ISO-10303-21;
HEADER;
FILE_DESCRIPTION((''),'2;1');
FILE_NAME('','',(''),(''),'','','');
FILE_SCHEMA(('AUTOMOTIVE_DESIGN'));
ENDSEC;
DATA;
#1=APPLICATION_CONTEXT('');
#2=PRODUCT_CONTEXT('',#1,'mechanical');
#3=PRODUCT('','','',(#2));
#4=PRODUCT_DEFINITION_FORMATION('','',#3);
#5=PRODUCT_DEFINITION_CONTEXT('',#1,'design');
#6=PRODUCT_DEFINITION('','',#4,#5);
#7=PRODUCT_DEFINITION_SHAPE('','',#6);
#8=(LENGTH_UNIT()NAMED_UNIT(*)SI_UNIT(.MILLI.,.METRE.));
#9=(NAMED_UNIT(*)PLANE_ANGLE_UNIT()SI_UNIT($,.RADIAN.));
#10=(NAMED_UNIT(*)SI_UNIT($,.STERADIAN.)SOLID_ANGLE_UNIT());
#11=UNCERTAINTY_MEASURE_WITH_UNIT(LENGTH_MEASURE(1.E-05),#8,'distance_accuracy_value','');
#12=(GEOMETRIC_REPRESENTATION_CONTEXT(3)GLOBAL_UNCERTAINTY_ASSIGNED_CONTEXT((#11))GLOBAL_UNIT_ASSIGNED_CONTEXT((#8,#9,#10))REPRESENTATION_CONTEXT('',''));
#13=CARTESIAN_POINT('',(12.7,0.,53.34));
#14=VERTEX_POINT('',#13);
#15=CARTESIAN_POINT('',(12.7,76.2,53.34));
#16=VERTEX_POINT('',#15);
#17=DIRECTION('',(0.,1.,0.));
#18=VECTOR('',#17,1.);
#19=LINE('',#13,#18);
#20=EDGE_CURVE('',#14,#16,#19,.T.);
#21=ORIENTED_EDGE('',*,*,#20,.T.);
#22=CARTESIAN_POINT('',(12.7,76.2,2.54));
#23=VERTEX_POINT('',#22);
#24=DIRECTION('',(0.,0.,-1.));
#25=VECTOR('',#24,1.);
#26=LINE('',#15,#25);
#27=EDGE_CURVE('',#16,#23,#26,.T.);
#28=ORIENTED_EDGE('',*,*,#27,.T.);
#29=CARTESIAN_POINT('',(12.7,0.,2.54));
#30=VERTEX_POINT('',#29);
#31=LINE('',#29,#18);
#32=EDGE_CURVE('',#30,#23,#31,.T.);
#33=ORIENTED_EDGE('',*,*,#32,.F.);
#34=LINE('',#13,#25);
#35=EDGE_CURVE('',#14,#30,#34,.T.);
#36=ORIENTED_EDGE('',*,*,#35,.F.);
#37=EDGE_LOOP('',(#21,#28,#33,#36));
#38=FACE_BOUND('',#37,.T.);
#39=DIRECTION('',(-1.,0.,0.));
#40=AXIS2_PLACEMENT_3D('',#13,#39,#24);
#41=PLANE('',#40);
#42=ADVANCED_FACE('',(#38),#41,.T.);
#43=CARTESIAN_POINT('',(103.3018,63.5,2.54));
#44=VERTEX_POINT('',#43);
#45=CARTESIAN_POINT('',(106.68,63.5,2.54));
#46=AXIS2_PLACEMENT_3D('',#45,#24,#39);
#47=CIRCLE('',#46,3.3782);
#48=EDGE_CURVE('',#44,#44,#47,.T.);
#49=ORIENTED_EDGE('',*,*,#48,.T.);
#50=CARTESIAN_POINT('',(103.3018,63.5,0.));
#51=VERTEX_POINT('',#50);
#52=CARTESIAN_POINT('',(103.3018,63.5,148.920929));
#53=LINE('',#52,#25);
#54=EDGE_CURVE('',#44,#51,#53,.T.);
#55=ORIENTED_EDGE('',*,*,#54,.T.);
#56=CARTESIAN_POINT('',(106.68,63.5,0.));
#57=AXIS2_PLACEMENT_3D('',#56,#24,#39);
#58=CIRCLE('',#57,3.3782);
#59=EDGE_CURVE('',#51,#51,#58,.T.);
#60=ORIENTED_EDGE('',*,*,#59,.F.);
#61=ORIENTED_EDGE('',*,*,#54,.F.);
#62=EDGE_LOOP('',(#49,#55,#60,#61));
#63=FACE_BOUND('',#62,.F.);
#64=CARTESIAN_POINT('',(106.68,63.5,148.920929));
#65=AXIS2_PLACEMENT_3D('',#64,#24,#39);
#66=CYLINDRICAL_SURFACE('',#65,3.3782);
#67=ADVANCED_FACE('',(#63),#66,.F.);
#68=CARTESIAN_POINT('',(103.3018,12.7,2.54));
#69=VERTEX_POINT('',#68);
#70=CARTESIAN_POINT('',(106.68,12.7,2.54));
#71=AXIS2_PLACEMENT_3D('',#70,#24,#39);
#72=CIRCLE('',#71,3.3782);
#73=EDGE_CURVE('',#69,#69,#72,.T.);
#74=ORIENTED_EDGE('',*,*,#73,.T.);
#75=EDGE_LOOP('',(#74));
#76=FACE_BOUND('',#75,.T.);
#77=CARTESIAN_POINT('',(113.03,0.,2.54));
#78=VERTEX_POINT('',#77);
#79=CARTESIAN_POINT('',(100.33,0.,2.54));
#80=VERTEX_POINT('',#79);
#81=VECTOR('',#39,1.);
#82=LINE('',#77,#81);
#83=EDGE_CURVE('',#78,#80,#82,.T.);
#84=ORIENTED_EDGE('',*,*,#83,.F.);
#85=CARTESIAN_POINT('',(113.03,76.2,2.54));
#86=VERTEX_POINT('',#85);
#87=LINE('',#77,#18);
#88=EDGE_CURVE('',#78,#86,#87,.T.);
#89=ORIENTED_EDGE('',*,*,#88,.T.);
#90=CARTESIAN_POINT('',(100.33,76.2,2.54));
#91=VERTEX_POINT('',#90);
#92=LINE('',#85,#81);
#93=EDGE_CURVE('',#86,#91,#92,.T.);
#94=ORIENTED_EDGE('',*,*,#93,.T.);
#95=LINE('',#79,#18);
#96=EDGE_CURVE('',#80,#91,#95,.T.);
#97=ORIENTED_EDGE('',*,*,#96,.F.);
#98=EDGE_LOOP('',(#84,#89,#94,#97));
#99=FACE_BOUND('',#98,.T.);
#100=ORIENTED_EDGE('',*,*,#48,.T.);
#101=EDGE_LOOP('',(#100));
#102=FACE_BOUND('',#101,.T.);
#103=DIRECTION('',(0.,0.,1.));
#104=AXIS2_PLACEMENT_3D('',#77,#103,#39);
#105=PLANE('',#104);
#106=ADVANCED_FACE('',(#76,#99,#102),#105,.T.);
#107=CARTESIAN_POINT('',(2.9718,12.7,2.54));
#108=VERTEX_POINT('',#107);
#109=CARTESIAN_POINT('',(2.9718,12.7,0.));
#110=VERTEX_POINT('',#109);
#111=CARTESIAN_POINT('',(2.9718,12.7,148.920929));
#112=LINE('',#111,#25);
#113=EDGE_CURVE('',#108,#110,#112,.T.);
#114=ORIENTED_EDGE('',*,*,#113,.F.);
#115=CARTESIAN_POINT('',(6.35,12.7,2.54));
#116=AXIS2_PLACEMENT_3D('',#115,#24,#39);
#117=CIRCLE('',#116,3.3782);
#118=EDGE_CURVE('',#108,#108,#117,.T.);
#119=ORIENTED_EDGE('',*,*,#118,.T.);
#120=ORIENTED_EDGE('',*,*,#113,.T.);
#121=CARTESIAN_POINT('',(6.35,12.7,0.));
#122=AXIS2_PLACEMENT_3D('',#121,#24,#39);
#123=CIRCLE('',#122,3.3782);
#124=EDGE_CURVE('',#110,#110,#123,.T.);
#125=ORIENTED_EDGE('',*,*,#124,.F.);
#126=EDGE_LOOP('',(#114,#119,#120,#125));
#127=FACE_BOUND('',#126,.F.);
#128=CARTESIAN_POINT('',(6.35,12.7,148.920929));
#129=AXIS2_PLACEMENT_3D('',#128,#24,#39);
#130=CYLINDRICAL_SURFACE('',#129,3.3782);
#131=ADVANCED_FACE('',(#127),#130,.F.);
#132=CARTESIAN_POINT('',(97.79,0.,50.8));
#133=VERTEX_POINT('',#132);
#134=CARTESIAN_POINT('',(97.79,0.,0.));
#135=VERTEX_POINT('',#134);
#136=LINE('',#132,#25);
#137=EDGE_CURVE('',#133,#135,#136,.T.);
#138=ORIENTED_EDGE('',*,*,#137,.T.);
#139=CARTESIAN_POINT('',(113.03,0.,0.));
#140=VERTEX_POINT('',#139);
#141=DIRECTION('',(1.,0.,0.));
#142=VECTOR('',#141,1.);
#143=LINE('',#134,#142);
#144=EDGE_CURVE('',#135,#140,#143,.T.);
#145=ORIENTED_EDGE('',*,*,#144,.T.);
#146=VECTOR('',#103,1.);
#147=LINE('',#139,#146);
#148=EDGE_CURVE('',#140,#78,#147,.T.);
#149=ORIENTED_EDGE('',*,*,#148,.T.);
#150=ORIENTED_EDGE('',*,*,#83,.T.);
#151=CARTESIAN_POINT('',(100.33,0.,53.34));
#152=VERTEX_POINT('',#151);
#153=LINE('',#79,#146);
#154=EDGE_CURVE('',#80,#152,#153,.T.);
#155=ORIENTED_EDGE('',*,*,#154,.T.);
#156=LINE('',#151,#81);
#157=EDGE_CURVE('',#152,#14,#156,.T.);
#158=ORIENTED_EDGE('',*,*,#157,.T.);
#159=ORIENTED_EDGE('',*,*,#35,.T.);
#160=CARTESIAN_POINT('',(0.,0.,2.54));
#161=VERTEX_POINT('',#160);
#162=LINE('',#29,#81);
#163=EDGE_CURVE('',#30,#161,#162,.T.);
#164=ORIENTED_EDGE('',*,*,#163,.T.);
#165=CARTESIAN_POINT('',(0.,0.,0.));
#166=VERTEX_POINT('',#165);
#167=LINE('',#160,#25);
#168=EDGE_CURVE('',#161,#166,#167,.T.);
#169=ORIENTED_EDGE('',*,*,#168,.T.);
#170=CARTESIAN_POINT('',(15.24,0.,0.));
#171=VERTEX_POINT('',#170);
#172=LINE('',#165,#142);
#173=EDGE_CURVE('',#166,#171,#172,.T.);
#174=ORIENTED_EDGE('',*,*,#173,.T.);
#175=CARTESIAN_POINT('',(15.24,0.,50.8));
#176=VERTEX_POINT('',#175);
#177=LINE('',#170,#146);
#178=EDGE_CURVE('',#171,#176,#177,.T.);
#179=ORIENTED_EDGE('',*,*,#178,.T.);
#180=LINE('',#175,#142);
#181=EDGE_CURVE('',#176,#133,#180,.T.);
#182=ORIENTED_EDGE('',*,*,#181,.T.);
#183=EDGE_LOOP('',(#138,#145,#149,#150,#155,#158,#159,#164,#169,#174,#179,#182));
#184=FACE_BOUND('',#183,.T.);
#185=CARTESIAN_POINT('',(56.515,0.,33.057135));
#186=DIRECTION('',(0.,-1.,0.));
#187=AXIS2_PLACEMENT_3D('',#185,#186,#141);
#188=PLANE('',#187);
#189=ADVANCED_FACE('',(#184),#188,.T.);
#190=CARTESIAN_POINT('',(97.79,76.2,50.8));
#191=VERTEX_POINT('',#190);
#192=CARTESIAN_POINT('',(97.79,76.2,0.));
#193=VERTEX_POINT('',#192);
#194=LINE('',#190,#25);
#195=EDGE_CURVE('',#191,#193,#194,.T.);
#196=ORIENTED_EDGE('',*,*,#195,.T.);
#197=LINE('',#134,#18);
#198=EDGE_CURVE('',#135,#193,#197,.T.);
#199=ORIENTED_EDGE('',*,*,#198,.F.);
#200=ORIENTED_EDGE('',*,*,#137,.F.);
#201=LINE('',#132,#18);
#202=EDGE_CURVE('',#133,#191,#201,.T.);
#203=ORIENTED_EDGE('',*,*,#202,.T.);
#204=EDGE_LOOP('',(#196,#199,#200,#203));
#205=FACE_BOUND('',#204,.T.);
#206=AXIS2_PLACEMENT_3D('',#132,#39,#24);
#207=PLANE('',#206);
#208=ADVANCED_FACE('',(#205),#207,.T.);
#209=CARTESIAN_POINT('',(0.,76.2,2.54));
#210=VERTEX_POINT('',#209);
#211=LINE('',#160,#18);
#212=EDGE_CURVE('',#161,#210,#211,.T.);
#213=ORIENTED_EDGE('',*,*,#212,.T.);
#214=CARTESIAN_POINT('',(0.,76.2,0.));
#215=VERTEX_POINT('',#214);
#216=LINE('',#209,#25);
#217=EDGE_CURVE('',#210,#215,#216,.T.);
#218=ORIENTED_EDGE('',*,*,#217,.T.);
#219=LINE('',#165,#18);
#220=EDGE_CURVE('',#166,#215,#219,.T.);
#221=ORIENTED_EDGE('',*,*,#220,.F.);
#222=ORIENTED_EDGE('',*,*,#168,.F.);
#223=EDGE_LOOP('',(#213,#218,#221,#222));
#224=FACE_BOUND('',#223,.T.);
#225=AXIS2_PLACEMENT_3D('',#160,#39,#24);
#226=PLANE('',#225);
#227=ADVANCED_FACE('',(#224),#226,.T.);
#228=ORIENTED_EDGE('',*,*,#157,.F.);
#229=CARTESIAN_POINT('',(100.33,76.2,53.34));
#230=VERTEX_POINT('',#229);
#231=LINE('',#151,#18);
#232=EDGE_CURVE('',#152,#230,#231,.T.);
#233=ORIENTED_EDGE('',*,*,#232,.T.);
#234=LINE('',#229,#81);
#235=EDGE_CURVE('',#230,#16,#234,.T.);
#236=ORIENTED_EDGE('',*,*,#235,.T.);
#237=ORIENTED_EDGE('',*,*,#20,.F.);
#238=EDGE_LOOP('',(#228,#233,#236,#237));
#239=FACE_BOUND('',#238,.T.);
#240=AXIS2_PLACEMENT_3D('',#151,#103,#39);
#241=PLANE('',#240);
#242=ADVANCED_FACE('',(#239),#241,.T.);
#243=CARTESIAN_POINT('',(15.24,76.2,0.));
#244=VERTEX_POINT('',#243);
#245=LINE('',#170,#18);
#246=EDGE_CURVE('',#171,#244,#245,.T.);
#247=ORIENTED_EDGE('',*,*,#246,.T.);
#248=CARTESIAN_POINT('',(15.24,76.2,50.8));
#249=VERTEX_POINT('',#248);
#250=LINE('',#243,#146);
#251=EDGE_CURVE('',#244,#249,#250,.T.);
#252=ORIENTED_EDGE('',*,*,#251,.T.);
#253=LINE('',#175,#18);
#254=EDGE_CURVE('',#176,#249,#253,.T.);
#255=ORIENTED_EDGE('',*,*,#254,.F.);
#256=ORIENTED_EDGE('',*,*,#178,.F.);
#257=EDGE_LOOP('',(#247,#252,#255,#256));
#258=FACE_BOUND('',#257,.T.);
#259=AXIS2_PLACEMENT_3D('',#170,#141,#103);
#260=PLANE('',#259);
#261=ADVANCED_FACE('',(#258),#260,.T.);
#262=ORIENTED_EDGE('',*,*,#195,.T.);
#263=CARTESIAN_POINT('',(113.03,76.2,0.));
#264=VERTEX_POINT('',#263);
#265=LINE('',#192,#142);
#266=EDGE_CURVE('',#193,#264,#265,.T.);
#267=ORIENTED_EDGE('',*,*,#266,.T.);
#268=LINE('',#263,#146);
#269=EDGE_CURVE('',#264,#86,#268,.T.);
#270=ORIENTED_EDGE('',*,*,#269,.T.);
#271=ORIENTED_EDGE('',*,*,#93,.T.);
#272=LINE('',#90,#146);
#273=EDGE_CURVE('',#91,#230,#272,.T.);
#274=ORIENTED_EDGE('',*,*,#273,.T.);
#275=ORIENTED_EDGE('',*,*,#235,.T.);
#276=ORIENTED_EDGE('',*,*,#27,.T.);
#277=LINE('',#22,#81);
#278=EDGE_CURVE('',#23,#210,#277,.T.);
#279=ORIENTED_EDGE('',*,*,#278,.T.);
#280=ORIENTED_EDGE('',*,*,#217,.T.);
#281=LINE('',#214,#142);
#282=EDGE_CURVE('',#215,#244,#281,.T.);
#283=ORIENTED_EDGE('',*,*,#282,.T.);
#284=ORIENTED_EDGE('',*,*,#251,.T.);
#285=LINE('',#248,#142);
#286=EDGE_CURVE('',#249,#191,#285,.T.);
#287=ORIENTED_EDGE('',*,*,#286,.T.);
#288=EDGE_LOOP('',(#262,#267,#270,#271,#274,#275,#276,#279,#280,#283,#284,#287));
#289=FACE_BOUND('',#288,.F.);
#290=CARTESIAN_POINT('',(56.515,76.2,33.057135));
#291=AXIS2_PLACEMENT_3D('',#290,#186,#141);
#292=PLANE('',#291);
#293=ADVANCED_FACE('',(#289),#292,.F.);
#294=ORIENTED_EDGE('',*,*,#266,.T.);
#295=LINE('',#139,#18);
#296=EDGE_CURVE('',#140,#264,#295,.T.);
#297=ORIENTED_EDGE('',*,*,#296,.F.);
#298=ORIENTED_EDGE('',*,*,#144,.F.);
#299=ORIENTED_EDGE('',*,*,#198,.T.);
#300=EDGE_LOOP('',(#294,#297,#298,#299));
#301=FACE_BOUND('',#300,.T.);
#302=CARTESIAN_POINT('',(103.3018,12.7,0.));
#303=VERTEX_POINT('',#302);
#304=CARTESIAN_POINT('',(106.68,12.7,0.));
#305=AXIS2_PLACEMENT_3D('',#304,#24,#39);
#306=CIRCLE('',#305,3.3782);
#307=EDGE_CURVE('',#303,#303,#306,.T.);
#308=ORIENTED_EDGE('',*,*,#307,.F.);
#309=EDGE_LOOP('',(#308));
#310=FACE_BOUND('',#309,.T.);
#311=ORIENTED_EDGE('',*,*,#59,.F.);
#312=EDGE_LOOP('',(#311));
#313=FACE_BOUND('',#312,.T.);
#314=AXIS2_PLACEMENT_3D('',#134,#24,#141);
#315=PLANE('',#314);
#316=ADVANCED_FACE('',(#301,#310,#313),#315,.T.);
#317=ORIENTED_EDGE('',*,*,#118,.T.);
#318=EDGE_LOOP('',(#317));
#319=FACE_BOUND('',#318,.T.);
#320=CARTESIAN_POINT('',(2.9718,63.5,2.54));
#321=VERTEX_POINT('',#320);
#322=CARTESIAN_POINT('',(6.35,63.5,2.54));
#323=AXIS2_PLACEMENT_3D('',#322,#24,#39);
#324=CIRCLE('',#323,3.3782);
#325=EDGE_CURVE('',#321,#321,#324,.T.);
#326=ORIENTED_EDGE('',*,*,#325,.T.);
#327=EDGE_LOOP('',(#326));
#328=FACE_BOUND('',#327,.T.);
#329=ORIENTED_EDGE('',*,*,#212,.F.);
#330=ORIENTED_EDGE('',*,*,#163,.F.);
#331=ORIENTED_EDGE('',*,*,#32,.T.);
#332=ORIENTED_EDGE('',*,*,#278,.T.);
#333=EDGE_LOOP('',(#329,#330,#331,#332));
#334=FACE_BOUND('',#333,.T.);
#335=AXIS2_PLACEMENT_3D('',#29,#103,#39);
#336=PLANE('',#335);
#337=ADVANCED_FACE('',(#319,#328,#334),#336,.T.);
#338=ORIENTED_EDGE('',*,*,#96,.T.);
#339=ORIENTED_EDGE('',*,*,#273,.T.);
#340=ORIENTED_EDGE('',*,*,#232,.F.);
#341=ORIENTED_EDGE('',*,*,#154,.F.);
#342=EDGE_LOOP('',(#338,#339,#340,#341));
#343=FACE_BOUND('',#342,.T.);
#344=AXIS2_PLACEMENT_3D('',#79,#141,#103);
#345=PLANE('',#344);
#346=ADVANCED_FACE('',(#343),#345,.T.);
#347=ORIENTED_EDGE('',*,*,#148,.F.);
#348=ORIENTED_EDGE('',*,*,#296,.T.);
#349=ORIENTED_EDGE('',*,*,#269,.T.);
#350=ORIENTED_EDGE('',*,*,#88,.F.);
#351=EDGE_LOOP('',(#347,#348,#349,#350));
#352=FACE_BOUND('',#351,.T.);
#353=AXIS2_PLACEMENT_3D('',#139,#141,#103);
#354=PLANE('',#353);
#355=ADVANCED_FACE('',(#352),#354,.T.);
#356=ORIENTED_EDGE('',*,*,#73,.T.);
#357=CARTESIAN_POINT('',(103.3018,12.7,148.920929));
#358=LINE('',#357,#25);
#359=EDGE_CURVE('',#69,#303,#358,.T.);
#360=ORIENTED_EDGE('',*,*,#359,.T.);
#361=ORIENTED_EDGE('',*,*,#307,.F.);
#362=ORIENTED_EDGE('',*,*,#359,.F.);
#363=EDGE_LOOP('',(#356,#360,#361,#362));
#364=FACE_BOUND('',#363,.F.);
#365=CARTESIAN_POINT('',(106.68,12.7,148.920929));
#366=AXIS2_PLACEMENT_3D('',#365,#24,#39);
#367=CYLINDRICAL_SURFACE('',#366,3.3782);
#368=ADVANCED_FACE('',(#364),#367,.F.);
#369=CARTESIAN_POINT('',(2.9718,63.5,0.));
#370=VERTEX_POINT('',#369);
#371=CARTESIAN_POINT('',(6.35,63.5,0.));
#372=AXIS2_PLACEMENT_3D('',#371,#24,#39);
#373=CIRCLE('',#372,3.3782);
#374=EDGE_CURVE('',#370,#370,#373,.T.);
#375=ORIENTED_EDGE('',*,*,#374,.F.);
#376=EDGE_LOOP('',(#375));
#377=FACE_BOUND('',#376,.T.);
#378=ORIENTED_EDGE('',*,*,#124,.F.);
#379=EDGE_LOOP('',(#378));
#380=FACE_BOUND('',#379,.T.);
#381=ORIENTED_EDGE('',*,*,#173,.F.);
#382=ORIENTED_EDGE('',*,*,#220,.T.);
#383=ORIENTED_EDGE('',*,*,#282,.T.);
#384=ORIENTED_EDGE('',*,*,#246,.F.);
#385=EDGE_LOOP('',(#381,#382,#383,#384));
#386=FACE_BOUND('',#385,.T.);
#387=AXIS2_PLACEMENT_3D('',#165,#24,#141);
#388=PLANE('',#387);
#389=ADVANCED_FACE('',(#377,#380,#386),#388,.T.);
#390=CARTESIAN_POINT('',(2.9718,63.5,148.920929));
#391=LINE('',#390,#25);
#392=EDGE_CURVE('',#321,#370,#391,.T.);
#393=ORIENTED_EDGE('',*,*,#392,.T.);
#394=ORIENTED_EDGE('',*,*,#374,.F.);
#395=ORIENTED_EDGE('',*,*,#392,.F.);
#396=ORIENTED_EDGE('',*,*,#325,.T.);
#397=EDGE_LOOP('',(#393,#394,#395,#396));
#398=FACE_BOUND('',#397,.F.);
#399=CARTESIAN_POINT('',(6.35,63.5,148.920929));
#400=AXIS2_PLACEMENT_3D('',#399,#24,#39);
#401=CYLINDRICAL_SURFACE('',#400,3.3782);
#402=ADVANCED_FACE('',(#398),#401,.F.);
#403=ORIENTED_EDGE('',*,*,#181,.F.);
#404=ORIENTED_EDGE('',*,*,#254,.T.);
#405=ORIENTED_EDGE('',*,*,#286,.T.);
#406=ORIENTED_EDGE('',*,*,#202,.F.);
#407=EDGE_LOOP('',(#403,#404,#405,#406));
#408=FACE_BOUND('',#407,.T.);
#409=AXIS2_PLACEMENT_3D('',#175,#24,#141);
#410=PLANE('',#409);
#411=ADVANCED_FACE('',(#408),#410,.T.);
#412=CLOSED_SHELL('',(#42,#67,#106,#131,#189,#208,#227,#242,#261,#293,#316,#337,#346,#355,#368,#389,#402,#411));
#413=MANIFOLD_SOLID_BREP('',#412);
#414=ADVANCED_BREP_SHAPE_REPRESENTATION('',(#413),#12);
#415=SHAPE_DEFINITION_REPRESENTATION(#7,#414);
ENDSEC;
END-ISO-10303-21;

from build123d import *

# Parameters (mm, degrees)
F1_DEPTH = 76.2
F3_D     = 6.7564


with BuildPart() as f1:
    # F0 (on Front) → F1 (new body)
    with BuildSketch(Plane.XZ):
        Polygon((0, 2.54), (0, 0), (15.24, 0), (15.24, 50.8), (97.79, 50.8), (97.79, 0), (113.03, 0), (113.03, 2.54), (100.33, 2.54), (100.33, 53.34), (12.7, 53.34), (12.7, 2.54), align=None)
    extrude(amount=-F1_DEPTH)

    # F3 (through all)
    with Locations(Plane.XY.offset(2.54)):
        with Locations((6.35, 63.5), (6.35, 12.7), (106.68, 12.7), (106.68, 63.5)):
            Hole(F3_D / 2)


solid = f1.part
